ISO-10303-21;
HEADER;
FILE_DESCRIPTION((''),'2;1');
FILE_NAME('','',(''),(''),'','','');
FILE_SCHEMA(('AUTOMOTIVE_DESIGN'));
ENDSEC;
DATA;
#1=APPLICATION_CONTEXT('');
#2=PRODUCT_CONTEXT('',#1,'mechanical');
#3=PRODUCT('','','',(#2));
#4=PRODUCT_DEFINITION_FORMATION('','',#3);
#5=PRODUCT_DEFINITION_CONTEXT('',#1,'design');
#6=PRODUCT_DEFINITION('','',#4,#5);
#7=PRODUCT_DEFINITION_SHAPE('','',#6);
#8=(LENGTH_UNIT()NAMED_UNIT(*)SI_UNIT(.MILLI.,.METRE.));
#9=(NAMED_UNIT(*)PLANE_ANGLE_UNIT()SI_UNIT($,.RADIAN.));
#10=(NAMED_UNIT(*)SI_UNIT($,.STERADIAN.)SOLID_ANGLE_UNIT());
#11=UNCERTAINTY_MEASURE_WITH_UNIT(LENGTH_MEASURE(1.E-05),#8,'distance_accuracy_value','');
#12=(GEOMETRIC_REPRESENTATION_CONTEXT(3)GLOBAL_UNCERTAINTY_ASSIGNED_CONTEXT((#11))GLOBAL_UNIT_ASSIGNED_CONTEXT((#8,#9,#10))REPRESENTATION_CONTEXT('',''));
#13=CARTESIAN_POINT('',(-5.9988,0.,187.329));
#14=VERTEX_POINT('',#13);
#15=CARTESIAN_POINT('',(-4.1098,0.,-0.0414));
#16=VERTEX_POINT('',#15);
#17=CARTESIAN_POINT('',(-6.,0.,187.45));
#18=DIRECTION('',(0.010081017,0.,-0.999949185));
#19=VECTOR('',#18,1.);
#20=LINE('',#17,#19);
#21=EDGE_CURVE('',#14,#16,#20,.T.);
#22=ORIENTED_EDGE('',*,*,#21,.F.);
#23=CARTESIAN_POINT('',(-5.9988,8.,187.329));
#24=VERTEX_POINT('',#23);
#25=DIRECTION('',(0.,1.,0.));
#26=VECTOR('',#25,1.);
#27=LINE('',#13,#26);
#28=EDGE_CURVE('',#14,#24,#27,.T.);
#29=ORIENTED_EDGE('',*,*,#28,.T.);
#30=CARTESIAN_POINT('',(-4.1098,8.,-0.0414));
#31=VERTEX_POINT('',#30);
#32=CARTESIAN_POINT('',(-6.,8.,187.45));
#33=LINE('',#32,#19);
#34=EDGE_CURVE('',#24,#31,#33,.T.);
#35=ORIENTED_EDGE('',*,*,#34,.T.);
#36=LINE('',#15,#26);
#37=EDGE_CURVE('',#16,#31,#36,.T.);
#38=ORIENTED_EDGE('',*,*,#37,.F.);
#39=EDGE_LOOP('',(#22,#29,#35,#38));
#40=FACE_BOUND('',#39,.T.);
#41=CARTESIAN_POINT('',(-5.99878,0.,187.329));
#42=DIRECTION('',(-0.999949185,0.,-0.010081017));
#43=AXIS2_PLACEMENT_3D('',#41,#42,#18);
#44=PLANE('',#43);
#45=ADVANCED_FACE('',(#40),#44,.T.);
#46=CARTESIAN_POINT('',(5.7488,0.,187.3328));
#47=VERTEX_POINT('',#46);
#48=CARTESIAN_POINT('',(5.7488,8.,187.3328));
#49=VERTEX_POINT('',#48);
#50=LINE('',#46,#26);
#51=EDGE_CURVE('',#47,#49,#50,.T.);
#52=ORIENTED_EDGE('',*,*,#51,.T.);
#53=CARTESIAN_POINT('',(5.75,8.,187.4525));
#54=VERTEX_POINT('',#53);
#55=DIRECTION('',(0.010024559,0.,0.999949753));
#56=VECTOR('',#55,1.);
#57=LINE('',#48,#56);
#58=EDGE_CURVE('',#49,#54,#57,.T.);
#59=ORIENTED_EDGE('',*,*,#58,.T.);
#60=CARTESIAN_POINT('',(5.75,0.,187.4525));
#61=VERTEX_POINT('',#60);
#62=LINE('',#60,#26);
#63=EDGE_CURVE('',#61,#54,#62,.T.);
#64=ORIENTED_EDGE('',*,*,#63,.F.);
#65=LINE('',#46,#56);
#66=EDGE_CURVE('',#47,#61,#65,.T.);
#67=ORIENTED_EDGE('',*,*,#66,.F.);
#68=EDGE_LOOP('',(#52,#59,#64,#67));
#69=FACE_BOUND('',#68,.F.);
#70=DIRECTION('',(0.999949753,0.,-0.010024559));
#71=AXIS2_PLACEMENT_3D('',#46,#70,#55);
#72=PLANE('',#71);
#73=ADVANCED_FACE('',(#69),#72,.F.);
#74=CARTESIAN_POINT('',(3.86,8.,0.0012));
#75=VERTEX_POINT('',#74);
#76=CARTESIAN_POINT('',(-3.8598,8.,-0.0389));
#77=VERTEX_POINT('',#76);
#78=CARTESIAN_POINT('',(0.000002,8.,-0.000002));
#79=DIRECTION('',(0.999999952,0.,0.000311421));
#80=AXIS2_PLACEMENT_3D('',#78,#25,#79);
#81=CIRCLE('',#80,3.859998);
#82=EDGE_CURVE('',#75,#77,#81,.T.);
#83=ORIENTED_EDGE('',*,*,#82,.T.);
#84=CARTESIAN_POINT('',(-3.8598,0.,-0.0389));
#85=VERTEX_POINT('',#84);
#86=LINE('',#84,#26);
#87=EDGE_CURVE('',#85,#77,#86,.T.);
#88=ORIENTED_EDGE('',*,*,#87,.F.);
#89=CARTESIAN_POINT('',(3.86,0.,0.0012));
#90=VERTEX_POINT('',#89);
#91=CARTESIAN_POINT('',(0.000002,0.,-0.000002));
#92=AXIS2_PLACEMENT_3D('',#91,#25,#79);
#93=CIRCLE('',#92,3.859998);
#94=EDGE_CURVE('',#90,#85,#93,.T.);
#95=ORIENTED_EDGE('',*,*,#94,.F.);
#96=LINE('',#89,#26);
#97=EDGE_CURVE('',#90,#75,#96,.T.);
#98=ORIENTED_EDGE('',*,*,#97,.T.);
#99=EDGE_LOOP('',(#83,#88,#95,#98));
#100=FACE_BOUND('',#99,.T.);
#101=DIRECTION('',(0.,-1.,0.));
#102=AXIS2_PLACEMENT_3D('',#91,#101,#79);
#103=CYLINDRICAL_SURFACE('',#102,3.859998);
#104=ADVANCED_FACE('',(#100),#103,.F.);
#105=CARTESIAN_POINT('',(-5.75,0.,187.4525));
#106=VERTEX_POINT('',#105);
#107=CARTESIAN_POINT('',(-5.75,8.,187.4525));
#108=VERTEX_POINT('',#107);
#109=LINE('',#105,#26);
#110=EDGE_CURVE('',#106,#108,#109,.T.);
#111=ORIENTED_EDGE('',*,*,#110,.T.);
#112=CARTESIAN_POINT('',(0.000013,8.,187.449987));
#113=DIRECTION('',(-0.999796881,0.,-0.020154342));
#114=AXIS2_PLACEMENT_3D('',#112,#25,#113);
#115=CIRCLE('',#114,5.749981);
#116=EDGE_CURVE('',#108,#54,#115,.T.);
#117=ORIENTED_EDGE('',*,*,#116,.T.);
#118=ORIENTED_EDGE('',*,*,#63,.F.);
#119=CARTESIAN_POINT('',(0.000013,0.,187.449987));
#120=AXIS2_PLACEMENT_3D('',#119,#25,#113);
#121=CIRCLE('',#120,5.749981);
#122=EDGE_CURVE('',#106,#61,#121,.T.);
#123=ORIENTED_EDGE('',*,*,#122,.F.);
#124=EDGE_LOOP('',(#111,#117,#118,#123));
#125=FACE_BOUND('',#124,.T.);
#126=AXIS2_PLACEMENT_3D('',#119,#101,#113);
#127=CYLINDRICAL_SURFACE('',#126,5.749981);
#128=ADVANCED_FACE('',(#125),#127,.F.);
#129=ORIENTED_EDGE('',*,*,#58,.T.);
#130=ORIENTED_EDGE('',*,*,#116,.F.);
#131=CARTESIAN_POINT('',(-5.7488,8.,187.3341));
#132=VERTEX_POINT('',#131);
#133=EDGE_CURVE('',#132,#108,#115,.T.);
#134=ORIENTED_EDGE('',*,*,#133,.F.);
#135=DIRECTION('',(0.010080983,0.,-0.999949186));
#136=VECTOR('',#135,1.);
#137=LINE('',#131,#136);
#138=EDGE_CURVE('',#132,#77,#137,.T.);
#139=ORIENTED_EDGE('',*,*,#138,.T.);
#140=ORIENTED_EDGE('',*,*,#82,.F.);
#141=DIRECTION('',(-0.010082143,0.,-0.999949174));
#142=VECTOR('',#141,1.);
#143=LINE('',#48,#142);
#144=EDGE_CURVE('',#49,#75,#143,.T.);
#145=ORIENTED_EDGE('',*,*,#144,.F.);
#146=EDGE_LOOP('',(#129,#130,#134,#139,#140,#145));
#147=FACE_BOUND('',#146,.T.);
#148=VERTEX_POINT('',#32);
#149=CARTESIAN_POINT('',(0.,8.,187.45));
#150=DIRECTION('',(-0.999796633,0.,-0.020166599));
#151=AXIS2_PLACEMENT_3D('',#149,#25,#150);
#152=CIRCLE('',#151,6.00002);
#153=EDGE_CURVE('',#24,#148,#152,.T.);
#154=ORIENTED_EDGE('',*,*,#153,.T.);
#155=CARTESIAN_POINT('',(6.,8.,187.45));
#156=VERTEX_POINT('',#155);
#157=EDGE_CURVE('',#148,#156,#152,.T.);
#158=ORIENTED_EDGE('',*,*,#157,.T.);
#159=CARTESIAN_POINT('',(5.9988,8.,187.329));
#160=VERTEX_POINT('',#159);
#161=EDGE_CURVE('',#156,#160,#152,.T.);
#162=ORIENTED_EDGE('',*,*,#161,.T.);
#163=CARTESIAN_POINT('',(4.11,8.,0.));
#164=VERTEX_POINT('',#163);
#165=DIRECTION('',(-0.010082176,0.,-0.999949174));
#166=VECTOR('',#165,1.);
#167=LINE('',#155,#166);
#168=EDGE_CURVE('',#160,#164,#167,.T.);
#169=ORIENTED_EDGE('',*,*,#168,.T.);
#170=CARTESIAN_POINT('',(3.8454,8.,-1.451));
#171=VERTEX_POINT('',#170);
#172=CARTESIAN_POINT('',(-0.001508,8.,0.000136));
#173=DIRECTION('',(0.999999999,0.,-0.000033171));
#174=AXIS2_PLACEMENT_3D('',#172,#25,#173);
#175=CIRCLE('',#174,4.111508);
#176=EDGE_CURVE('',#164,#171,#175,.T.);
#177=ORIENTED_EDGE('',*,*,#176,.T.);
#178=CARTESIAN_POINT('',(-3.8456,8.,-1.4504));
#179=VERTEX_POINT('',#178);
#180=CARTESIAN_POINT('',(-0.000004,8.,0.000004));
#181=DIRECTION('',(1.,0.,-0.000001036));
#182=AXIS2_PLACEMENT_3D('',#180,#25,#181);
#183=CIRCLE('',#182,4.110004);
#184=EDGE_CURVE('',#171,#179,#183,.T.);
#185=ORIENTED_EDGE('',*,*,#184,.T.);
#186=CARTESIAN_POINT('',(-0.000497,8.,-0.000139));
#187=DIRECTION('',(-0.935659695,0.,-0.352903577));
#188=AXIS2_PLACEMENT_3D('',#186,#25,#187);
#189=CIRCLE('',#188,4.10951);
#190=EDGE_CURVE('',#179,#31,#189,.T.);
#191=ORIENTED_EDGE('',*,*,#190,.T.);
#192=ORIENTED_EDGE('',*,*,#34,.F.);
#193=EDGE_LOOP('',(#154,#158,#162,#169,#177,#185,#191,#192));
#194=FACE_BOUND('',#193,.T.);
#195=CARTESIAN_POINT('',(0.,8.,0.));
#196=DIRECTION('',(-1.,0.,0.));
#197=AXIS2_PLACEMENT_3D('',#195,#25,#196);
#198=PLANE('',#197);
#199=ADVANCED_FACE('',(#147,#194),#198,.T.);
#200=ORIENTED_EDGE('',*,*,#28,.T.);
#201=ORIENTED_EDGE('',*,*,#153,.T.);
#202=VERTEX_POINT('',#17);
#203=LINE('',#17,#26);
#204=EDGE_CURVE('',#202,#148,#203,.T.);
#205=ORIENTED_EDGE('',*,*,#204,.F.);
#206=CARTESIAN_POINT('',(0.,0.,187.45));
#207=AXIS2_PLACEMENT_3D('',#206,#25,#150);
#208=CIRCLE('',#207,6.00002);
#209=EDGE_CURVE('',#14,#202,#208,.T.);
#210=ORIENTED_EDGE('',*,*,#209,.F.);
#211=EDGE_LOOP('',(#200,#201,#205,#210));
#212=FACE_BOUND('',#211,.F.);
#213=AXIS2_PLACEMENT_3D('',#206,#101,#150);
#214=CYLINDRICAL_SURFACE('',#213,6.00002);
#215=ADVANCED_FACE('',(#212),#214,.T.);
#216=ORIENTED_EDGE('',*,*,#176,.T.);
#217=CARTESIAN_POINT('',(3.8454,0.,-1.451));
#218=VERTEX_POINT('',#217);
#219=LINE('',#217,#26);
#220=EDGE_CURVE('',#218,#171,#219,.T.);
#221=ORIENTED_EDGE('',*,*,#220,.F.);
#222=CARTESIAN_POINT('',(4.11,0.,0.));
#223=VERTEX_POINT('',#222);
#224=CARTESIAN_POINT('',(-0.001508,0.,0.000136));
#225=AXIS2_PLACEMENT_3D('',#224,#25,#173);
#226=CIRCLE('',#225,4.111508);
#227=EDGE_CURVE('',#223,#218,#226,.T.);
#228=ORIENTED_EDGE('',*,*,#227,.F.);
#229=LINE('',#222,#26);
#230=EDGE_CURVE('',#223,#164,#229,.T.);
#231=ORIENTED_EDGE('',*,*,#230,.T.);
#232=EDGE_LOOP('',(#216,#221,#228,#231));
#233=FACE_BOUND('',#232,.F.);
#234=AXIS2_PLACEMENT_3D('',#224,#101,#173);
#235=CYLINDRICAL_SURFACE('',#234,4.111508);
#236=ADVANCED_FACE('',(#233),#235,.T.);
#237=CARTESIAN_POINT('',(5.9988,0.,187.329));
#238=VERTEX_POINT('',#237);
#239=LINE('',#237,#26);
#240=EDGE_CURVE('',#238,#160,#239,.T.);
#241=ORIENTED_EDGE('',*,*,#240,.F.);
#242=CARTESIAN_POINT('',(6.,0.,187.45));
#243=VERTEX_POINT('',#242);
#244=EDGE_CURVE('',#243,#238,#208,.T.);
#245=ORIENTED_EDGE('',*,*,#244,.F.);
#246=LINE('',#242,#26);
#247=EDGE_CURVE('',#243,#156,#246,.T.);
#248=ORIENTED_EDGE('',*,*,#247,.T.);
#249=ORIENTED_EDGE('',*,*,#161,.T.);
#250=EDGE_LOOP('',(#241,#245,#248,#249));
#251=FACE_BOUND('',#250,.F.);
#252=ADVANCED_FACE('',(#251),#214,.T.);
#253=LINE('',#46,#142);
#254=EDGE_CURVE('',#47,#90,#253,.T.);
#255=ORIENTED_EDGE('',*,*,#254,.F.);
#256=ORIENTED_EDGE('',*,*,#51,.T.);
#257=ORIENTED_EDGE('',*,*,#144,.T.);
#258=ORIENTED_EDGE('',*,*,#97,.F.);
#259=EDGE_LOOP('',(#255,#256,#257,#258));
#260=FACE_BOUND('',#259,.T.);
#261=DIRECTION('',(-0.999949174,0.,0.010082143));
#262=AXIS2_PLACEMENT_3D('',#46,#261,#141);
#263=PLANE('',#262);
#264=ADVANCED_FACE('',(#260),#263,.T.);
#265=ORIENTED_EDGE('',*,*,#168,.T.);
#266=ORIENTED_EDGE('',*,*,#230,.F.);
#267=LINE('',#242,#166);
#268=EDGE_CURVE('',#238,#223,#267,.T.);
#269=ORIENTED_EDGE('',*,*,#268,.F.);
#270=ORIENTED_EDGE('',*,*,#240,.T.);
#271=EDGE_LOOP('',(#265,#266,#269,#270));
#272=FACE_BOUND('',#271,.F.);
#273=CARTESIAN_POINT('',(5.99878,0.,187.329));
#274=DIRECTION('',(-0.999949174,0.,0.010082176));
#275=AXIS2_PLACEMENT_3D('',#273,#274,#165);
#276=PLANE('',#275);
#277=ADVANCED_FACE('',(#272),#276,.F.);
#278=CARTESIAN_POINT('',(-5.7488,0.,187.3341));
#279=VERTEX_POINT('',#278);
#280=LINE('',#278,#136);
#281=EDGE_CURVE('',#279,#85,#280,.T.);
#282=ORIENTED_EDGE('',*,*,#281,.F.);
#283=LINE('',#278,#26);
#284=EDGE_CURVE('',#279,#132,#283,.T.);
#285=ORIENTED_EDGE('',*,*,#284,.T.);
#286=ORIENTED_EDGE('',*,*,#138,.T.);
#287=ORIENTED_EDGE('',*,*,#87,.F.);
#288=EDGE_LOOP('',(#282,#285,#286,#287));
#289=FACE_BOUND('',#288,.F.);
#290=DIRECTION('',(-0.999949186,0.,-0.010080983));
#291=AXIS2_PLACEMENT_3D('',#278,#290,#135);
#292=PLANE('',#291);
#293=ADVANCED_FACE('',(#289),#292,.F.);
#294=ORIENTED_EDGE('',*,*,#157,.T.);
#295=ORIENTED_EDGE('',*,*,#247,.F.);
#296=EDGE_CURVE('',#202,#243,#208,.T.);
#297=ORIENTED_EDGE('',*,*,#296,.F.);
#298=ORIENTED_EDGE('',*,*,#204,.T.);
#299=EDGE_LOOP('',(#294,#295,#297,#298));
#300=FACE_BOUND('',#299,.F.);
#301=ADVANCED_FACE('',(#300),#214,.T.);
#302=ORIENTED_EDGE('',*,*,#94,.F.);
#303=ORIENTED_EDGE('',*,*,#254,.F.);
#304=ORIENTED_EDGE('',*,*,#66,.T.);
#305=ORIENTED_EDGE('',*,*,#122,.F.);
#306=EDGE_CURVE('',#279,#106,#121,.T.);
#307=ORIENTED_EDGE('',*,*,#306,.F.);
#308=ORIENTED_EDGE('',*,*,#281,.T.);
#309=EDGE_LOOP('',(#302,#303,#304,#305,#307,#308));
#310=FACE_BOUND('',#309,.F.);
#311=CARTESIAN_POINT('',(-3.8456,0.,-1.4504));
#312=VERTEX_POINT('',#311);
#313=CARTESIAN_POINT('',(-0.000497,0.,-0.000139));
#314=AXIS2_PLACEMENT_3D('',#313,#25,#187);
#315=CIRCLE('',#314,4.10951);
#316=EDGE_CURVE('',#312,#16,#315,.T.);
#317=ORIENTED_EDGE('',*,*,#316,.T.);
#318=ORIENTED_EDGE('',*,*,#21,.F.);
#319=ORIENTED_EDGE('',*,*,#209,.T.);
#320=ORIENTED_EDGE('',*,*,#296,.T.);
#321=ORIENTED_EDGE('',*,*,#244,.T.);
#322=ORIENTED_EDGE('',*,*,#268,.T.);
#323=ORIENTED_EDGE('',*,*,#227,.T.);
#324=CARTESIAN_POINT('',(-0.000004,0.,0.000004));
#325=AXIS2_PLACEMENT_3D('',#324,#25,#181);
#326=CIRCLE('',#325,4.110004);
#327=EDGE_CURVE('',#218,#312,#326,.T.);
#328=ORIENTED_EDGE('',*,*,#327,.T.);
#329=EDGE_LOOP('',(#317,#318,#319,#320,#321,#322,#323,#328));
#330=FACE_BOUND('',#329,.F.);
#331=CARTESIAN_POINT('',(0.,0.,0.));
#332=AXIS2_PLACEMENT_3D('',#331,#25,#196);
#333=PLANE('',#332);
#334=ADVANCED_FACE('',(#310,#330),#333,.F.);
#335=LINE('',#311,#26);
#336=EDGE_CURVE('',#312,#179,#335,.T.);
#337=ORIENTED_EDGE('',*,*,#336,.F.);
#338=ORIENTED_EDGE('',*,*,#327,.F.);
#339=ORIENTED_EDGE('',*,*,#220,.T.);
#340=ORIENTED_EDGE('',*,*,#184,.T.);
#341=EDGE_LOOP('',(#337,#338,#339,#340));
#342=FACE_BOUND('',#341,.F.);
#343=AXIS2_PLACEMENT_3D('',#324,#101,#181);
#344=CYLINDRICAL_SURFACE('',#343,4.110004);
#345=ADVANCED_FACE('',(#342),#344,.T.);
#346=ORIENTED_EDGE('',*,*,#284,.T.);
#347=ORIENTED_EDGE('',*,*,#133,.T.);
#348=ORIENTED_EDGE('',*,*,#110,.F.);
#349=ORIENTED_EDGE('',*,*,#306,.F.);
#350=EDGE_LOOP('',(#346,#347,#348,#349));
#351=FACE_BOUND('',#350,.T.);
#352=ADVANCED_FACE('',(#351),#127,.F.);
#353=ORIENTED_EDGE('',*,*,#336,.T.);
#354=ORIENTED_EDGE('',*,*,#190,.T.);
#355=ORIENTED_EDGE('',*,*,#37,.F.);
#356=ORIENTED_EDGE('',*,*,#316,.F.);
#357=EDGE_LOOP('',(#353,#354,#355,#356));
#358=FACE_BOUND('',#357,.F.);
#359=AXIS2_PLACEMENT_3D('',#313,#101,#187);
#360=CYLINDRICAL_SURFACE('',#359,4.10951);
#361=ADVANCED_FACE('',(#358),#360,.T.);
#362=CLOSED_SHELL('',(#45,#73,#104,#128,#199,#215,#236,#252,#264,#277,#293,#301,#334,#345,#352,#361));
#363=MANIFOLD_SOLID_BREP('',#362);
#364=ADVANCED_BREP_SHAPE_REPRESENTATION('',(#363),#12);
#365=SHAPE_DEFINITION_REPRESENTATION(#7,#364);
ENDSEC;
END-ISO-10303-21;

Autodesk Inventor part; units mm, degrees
ref_plane "YZ Plane" through (0, 0, 0) normal (1, 0, 0) x (0, 1, 0)
ref_plane "XZ Plane" through (0, 0, 0) normal (0, 1, 0) x (-1, 0, 0)
ref_plane "XY Plane" through (0, 0, 0) normal (0, 0, 1) x (1, 0, 0)
sketch "Sketch1" plane through (0, 0, 0) normal (0, 1, 0) x (-1, 0, 0)
  arc A0 (5.9988, 187.329) -> (-5.9988, 187.329) centre (0, 187.45) ccw
  line L0 (6, 187.45) -> (4.1098, -0.0414)
  line L1 (-6, 187.45) -> (-4.11, 0)
  arc A1 (-3.86, 0.0012) -> (3.8598, -0.0389) centre (0, 0) ccw
  line L2 (-5.7488, 187.3328) -> (-5.75, 187.4525)
  arc A2 (5.7488, 187.3341) -> (-5.7488, 187.3341) centre (0, 187.45) ccw
  arc A3 (5.7488, 187.3328) -> (-5.7488, 187.3328) centre (0, 187.45) ccw
  arc A4 (-4.11, 0) -> (-3.8454, -1.451) centre (0, 0) ccw
  arc A5 (3.8456, -1.4504) -> (4.1098, -0.0414) centre (0, 0) ccw
  arc A6 (-4.11, 0) -> (4.1098, -0.0414) centre (0, 0) ccw
  line L3 (5.75, 187.4525) -> (5.7488, 187.3328)
  line L4 (5.7488, 187.3328) -> (3.8598, -0.0389)
  arc A7 (5.9988, 187.329) -> (-5.9988, 187.329) centre (0, 187.45) ccw
  line L5 (-5.75, 187.4525) -> (-5.7488, 187.3328)
  line L6 (-5.7488, 187.3328) -> (-3.86, 0.0012)
  point P0 (-5.75, 187.4512)
  point P1 (3.874, 1.3726)
  point P2 (5.7321, 185.6772)
  point P3 (-5.7321, 185.6772)
  point P4 (-3.8454, -1.451)
  point P5 (-5.7488, 187.3341)
  dimension "d1" = 12
  dimension "d4" = 0.25
extrude "Extrusion1" add sketch "Sketch1" along normal blind 8
properties part number "Belt"
